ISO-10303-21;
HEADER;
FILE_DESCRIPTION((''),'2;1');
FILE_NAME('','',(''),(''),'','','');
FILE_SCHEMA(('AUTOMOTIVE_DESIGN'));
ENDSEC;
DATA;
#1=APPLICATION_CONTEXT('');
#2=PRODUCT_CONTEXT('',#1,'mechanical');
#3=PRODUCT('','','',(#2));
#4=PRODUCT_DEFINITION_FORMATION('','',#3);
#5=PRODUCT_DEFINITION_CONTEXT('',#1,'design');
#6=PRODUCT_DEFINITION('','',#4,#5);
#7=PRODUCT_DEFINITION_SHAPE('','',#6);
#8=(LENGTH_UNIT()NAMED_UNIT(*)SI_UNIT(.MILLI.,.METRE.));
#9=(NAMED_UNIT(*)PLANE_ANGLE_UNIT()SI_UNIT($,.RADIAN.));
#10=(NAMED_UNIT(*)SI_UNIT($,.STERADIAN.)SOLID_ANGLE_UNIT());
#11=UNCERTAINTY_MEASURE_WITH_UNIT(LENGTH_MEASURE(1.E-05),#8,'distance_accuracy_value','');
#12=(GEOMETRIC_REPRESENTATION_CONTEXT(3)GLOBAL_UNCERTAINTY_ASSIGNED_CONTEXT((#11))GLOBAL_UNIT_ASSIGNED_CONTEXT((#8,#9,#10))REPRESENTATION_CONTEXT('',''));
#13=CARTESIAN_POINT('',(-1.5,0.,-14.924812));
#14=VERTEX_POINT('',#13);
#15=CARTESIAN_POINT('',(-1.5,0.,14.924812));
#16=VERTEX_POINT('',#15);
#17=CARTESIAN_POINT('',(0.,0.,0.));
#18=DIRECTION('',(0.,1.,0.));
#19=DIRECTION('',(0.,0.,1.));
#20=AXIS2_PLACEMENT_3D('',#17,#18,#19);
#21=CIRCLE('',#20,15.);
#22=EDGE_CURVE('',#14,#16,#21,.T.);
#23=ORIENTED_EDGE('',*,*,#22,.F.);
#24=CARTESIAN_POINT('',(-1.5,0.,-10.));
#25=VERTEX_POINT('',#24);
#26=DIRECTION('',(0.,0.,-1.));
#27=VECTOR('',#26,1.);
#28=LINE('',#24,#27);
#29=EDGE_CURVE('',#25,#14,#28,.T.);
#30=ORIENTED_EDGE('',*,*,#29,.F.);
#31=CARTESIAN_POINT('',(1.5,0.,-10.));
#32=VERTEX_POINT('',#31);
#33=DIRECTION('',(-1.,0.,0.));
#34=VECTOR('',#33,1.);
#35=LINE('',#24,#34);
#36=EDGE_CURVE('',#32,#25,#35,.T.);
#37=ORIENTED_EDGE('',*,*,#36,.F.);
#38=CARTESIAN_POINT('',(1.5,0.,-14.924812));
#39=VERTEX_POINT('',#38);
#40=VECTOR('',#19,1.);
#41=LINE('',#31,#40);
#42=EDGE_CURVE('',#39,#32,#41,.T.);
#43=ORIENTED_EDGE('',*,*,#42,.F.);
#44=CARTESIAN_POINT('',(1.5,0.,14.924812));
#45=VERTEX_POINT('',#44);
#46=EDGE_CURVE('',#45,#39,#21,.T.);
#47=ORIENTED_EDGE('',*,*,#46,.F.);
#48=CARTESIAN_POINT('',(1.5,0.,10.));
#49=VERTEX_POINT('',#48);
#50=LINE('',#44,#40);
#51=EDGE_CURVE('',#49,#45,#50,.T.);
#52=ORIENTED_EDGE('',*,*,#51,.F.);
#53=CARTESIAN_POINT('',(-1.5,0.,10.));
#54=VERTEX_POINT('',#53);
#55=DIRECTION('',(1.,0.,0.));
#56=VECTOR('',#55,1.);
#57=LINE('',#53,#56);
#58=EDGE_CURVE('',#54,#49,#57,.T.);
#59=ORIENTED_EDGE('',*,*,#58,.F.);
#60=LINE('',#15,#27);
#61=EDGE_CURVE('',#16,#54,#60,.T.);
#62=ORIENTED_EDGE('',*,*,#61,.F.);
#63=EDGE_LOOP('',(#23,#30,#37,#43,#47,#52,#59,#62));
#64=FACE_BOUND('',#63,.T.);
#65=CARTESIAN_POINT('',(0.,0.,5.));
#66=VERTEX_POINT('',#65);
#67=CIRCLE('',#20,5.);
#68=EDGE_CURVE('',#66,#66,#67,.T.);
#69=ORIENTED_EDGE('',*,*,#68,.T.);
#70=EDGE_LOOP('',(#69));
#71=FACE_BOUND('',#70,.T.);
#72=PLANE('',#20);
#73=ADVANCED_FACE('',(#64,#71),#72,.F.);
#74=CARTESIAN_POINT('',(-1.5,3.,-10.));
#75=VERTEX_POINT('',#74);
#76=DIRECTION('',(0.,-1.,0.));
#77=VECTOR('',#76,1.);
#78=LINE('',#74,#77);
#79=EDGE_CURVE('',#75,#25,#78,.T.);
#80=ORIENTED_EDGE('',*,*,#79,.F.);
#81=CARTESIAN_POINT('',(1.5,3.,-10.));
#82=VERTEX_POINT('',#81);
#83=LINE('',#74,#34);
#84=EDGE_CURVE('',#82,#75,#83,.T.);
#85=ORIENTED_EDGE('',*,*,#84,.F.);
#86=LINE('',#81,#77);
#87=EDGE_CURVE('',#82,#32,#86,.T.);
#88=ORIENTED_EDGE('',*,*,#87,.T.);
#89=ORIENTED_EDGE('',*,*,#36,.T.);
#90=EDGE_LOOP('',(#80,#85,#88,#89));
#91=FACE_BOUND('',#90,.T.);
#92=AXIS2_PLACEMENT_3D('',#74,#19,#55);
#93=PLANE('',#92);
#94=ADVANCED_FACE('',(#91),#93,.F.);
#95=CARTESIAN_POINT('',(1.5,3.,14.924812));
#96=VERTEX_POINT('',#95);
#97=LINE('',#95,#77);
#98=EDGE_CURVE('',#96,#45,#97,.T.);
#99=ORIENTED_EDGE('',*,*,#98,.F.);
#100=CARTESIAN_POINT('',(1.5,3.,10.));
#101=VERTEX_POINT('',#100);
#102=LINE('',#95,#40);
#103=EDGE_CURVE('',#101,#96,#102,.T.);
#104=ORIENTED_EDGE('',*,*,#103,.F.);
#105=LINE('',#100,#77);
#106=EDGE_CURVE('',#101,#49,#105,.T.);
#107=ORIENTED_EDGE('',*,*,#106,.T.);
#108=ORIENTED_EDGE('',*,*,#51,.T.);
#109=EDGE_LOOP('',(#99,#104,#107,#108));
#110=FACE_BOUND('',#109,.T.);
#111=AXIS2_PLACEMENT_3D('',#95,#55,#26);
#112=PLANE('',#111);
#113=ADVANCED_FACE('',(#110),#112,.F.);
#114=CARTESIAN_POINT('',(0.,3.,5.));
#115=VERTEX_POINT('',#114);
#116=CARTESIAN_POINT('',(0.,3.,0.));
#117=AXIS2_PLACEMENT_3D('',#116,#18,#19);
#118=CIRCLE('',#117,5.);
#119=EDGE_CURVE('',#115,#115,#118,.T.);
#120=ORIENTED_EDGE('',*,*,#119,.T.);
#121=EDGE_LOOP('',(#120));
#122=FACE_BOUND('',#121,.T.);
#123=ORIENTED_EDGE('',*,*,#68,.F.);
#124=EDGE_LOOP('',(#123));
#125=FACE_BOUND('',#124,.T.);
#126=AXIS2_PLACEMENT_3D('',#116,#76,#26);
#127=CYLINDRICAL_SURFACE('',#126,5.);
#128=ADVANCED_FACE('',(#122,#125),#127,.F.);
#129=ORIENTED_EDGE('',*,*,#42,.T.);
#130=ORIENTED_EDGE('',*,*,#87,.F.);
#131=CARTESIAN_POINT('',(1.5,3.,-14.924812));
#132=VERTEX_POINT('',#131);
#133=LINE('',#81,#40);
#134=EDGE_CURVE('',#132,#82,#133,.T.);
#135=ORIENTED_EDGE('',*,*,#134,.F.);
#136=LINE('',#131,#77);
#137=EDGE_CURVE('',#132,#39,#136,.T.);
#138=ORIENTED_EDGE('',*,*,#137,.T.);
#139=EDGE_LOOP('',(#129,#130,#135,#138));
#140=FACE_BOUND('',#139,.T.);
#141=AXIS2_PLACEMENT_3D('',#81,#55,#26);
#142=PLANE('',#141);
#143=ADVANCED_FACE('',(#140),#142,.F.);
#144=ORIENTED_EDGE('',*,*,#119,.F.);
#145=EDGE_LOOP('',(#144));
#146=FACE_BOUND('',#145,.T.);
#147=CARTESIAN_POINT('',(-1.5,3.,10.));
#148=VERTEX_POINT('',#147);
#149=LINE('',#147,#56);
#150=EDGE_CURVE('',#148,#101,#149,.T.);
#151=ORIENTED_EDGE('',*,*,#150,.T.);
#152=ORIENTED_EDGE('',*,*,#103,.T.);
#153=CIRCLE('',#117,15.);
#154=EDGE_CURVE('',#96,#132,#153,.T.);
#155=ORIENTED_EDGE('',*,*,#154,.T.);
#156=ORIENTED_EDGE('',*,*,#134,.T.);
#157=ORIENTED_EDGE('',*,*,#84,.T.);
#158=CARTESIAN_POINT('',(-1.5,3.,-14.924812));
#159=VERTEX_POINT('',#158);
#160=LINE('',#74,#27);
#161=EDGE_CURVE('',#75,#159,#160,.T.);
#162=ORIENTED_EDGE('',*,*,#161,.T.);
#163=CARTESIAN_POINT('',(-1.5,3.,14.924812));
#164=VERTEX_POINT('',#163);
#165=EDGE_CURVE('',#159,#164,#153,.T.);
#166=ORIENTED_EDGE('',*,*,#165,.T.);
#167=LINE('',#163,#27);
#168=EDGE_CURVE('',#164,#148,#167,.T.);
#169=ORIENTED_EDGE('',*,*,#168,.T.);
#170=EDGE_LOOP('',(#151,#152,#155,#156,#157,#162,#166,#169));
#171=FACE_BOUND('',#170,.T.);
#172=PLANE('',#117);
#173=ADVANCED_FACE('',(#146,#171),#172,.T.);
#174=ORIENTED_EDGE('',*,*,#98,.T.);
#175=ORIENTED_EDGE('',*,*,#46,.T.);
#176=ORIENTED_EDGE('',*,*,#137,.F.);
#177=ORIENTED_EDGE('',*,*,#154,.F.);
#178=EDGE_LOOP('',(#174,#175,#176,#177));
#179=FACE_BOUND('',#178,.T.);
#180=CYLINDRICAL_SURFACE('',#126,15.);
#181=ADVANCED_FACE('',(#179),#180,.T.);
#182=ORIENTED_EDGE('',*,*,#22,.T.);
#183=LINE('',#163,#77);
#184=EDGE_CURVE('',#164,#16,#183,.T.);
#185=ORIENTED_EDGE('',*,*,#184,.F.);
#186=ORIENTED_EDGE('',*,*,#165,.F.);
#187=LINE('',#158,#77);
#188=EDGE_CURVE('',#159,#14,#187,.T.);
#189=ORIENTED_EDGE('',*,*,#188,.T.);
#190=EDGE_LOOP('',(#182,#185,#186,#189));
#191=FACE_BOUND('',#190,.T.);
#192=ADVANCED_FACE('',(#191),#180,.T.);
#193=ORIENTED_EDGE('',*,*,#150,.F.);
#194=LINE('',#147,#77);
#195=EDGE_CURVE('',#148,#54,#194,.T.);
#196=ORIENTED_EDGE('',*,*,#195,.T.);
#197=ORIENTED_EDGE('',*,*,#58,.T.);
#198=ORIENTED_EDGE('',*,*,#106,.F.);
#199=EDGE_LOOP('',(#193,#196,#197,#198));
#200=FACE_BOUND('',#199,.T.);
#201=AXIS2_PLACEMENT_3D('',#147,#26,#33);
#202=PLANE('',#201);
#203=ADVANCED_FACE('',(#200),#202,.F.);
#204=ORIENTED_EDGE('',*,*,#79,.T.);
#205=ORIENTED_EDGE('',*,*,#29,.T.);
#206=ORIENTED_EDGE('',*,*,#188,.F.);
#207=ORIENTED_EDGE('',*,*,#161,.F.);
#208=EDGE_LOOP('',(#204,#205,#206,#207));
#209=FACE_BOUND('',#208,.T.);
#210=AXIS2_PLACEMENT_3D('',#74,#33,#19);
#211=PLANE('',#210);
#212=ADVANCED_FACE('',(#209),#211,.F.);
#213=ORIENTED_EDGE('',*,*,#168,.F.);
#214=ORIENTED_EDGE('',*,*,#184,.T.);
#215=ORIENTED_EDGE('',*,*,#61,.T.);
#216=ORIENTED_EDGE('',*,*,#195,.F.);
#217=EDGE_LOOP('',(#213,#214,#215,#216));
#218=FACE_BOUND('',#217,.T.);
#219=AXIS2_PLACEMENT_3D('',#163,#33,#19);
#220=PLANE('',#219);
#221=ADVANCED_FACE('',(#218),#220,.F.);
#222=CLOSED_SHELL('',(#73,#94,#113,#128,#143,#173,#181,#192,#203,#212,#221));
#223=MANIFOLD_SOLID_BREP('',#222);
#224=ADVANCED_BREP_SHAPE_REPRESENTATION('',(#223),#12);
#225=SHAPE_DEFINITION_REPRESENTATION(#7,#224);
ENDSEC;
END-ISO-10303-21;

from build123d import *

# Parameters (mm, degrees)
SKETCH_1_R      = 5
EXTRUDE_1_DEPTH = 3


with BuildPart() as part:
    # 草图1 → 凸台-拉伸1 (new body)
    with BuildSketch(Plane(origin=(0, 0, 0), x_dir=(1, 0, 0), z_dir=(0, 1, 0))):
        with BuildLine():
            Line((-1.5, -14.924811557), (-1.5, -10))
            Line((-1.5, -10), (1.5, -10))
            Line((1.5, -10), (1.5, -14.924811557))
            ThreePointArc((1.5, -14.924811557), (15, 0), (1.5, 14.924811557))
            Line((1.5, 14.924811557), (1.5, 10))
            Line((1.5, 10), (-1.5, 10))
            Line((-1.5, 10), (-1.5, 14.924811557))
            ThreePointArc((-1.5, 14.924811557), (-15, 0), (-1.5, -14.924811557))
        make_face()
        with Locations(Location((0, 0, 0), (0, 0, 270))):
            Circle(SKETCH_1_R, mode=Mode.SUBTRACT)
    extrude(amount=EXTRUDE_1_DEPTH)


solid = part.part
